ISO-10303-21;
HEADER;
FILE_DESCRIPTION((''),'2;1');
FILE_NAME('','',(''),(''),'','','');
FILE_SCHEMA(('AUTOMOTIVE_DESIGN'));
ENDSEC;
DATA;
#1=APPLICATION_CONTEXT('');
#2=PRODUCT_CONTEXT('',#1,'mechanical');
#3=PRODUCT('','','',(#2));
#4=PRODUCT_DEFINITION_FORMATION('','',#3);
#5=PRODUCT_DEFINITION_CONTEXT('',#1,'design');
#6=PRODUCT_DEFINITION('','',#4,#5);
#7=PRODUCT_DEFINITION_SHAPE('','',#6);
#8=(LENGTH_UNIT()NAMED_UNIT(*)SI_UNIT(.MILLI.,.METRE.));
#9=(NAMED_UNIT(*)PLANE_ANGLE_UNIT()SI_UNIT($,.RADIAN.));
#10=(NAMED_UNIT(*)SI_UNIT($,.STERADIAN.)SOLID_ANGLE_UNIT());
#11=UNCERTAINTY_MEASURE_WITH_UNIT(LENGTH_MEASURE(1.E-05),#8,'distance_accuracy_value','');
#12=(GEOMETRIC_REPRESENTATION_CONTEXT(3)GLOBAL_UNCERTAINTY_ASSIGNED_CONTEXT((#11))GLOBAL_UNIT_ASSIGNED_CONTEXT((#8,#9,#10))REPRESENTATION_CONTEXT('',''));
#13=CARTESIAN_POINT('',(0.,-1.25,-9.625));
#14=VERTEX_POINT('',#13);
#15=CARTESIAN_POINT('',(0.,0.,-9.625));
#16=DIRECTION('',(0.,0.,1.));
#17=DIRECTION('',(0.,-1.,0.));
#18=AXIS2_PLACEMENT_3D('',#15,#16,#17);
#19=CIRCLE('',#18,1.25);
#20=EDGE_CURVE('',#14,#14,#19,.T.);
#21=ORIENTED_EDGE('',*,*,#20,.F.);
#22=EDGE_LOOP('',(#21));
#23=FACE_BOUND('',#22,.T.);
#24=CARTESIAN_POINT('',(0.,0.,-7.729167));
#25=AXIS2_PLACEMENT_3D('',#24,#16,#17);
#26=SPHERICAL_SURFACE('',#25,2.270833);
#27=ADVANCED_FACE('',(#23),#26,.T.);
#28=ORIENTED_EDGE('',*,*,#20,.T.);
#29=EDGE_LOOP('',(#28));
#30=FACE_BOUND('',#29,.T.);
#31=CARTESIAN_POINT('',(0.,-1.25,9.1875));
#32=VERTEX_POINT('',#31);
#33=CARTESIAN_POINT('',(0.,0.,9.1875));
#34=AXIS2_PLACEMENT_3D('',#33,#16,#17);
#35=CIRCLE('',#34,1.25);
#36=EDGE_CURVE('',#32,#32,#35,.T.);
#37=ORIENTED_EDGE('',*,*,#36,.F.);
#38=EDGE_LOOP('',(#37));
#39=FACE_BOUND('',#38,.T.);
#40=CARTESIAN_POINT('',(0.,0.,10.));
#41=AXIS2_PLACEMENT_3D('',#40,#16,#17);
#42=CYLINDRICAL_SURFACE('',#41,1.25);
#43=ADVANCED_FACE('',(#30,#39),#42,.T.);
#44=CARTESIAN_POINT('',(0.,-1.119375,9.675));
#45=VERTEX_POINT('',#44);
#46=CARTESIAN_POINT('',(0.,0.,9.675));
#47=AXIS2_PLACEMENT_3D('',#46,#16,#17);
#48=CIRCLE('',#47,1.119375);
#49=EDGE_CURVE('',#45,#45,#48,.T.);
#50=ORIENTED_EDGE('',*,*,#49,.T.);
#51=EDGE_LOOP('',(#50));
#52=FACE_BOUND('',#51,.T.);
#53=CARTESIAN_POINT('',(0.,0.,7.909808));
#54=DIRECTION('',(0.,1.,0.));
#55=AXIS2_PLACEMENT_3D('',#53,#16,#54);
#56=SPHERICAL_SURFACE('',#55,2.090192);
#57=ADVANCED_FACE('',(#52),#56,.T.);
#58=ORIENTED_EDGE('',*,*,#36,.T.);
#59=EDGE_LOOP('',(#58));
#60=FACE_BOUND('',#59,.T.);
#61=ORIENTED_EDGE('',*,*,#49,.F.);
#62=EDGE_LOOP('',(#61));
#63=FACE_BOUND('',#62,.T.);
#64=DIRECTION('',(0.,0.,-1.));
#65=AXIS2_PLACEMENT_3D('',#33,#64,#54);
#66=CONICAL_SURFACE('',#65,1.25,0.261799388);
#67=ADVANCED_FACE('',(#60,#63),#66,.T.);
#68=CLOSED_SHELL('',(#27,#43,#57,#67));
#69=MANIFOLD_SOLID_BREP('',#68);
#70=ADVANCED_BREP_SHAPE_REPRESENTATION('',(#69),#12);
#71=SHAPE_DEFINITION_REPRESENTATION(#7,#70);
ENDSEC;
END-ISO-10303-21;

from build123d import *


with BuildPart() as part:
    # Sketch3 → Revolve1 (revolve)
    with BuildSketch(Plane(origin=(0, 0, 0), x_dir=(0, 0, -1), z_dir=(1, 0, 0)), mode=Mode.PRIVATE) as revolve1_sk:
        with BuildLine():
            Line((-10, 0), (10, 0))
            ThreePointArc((10, 0), (9.904230523, 0.652519157), (9.625, 1.25))
            Line((9.625, 1.25), (-9.1875, 1.25))
            Line((-9.1875, 1.25), (-9.675, 1.119374769))
            ThreePointArc((-9.675, 1.119374769), (-9.917106283, 0.582800324), (-10, 0))
        make_face()
    revolve(revolve1_sk.sketch.rotate(Axis((0, 0, 10), (0, 0, -1)), 180), axis=Axis((0, 0, 10), (0, 0, -1)))


solid = part.part
